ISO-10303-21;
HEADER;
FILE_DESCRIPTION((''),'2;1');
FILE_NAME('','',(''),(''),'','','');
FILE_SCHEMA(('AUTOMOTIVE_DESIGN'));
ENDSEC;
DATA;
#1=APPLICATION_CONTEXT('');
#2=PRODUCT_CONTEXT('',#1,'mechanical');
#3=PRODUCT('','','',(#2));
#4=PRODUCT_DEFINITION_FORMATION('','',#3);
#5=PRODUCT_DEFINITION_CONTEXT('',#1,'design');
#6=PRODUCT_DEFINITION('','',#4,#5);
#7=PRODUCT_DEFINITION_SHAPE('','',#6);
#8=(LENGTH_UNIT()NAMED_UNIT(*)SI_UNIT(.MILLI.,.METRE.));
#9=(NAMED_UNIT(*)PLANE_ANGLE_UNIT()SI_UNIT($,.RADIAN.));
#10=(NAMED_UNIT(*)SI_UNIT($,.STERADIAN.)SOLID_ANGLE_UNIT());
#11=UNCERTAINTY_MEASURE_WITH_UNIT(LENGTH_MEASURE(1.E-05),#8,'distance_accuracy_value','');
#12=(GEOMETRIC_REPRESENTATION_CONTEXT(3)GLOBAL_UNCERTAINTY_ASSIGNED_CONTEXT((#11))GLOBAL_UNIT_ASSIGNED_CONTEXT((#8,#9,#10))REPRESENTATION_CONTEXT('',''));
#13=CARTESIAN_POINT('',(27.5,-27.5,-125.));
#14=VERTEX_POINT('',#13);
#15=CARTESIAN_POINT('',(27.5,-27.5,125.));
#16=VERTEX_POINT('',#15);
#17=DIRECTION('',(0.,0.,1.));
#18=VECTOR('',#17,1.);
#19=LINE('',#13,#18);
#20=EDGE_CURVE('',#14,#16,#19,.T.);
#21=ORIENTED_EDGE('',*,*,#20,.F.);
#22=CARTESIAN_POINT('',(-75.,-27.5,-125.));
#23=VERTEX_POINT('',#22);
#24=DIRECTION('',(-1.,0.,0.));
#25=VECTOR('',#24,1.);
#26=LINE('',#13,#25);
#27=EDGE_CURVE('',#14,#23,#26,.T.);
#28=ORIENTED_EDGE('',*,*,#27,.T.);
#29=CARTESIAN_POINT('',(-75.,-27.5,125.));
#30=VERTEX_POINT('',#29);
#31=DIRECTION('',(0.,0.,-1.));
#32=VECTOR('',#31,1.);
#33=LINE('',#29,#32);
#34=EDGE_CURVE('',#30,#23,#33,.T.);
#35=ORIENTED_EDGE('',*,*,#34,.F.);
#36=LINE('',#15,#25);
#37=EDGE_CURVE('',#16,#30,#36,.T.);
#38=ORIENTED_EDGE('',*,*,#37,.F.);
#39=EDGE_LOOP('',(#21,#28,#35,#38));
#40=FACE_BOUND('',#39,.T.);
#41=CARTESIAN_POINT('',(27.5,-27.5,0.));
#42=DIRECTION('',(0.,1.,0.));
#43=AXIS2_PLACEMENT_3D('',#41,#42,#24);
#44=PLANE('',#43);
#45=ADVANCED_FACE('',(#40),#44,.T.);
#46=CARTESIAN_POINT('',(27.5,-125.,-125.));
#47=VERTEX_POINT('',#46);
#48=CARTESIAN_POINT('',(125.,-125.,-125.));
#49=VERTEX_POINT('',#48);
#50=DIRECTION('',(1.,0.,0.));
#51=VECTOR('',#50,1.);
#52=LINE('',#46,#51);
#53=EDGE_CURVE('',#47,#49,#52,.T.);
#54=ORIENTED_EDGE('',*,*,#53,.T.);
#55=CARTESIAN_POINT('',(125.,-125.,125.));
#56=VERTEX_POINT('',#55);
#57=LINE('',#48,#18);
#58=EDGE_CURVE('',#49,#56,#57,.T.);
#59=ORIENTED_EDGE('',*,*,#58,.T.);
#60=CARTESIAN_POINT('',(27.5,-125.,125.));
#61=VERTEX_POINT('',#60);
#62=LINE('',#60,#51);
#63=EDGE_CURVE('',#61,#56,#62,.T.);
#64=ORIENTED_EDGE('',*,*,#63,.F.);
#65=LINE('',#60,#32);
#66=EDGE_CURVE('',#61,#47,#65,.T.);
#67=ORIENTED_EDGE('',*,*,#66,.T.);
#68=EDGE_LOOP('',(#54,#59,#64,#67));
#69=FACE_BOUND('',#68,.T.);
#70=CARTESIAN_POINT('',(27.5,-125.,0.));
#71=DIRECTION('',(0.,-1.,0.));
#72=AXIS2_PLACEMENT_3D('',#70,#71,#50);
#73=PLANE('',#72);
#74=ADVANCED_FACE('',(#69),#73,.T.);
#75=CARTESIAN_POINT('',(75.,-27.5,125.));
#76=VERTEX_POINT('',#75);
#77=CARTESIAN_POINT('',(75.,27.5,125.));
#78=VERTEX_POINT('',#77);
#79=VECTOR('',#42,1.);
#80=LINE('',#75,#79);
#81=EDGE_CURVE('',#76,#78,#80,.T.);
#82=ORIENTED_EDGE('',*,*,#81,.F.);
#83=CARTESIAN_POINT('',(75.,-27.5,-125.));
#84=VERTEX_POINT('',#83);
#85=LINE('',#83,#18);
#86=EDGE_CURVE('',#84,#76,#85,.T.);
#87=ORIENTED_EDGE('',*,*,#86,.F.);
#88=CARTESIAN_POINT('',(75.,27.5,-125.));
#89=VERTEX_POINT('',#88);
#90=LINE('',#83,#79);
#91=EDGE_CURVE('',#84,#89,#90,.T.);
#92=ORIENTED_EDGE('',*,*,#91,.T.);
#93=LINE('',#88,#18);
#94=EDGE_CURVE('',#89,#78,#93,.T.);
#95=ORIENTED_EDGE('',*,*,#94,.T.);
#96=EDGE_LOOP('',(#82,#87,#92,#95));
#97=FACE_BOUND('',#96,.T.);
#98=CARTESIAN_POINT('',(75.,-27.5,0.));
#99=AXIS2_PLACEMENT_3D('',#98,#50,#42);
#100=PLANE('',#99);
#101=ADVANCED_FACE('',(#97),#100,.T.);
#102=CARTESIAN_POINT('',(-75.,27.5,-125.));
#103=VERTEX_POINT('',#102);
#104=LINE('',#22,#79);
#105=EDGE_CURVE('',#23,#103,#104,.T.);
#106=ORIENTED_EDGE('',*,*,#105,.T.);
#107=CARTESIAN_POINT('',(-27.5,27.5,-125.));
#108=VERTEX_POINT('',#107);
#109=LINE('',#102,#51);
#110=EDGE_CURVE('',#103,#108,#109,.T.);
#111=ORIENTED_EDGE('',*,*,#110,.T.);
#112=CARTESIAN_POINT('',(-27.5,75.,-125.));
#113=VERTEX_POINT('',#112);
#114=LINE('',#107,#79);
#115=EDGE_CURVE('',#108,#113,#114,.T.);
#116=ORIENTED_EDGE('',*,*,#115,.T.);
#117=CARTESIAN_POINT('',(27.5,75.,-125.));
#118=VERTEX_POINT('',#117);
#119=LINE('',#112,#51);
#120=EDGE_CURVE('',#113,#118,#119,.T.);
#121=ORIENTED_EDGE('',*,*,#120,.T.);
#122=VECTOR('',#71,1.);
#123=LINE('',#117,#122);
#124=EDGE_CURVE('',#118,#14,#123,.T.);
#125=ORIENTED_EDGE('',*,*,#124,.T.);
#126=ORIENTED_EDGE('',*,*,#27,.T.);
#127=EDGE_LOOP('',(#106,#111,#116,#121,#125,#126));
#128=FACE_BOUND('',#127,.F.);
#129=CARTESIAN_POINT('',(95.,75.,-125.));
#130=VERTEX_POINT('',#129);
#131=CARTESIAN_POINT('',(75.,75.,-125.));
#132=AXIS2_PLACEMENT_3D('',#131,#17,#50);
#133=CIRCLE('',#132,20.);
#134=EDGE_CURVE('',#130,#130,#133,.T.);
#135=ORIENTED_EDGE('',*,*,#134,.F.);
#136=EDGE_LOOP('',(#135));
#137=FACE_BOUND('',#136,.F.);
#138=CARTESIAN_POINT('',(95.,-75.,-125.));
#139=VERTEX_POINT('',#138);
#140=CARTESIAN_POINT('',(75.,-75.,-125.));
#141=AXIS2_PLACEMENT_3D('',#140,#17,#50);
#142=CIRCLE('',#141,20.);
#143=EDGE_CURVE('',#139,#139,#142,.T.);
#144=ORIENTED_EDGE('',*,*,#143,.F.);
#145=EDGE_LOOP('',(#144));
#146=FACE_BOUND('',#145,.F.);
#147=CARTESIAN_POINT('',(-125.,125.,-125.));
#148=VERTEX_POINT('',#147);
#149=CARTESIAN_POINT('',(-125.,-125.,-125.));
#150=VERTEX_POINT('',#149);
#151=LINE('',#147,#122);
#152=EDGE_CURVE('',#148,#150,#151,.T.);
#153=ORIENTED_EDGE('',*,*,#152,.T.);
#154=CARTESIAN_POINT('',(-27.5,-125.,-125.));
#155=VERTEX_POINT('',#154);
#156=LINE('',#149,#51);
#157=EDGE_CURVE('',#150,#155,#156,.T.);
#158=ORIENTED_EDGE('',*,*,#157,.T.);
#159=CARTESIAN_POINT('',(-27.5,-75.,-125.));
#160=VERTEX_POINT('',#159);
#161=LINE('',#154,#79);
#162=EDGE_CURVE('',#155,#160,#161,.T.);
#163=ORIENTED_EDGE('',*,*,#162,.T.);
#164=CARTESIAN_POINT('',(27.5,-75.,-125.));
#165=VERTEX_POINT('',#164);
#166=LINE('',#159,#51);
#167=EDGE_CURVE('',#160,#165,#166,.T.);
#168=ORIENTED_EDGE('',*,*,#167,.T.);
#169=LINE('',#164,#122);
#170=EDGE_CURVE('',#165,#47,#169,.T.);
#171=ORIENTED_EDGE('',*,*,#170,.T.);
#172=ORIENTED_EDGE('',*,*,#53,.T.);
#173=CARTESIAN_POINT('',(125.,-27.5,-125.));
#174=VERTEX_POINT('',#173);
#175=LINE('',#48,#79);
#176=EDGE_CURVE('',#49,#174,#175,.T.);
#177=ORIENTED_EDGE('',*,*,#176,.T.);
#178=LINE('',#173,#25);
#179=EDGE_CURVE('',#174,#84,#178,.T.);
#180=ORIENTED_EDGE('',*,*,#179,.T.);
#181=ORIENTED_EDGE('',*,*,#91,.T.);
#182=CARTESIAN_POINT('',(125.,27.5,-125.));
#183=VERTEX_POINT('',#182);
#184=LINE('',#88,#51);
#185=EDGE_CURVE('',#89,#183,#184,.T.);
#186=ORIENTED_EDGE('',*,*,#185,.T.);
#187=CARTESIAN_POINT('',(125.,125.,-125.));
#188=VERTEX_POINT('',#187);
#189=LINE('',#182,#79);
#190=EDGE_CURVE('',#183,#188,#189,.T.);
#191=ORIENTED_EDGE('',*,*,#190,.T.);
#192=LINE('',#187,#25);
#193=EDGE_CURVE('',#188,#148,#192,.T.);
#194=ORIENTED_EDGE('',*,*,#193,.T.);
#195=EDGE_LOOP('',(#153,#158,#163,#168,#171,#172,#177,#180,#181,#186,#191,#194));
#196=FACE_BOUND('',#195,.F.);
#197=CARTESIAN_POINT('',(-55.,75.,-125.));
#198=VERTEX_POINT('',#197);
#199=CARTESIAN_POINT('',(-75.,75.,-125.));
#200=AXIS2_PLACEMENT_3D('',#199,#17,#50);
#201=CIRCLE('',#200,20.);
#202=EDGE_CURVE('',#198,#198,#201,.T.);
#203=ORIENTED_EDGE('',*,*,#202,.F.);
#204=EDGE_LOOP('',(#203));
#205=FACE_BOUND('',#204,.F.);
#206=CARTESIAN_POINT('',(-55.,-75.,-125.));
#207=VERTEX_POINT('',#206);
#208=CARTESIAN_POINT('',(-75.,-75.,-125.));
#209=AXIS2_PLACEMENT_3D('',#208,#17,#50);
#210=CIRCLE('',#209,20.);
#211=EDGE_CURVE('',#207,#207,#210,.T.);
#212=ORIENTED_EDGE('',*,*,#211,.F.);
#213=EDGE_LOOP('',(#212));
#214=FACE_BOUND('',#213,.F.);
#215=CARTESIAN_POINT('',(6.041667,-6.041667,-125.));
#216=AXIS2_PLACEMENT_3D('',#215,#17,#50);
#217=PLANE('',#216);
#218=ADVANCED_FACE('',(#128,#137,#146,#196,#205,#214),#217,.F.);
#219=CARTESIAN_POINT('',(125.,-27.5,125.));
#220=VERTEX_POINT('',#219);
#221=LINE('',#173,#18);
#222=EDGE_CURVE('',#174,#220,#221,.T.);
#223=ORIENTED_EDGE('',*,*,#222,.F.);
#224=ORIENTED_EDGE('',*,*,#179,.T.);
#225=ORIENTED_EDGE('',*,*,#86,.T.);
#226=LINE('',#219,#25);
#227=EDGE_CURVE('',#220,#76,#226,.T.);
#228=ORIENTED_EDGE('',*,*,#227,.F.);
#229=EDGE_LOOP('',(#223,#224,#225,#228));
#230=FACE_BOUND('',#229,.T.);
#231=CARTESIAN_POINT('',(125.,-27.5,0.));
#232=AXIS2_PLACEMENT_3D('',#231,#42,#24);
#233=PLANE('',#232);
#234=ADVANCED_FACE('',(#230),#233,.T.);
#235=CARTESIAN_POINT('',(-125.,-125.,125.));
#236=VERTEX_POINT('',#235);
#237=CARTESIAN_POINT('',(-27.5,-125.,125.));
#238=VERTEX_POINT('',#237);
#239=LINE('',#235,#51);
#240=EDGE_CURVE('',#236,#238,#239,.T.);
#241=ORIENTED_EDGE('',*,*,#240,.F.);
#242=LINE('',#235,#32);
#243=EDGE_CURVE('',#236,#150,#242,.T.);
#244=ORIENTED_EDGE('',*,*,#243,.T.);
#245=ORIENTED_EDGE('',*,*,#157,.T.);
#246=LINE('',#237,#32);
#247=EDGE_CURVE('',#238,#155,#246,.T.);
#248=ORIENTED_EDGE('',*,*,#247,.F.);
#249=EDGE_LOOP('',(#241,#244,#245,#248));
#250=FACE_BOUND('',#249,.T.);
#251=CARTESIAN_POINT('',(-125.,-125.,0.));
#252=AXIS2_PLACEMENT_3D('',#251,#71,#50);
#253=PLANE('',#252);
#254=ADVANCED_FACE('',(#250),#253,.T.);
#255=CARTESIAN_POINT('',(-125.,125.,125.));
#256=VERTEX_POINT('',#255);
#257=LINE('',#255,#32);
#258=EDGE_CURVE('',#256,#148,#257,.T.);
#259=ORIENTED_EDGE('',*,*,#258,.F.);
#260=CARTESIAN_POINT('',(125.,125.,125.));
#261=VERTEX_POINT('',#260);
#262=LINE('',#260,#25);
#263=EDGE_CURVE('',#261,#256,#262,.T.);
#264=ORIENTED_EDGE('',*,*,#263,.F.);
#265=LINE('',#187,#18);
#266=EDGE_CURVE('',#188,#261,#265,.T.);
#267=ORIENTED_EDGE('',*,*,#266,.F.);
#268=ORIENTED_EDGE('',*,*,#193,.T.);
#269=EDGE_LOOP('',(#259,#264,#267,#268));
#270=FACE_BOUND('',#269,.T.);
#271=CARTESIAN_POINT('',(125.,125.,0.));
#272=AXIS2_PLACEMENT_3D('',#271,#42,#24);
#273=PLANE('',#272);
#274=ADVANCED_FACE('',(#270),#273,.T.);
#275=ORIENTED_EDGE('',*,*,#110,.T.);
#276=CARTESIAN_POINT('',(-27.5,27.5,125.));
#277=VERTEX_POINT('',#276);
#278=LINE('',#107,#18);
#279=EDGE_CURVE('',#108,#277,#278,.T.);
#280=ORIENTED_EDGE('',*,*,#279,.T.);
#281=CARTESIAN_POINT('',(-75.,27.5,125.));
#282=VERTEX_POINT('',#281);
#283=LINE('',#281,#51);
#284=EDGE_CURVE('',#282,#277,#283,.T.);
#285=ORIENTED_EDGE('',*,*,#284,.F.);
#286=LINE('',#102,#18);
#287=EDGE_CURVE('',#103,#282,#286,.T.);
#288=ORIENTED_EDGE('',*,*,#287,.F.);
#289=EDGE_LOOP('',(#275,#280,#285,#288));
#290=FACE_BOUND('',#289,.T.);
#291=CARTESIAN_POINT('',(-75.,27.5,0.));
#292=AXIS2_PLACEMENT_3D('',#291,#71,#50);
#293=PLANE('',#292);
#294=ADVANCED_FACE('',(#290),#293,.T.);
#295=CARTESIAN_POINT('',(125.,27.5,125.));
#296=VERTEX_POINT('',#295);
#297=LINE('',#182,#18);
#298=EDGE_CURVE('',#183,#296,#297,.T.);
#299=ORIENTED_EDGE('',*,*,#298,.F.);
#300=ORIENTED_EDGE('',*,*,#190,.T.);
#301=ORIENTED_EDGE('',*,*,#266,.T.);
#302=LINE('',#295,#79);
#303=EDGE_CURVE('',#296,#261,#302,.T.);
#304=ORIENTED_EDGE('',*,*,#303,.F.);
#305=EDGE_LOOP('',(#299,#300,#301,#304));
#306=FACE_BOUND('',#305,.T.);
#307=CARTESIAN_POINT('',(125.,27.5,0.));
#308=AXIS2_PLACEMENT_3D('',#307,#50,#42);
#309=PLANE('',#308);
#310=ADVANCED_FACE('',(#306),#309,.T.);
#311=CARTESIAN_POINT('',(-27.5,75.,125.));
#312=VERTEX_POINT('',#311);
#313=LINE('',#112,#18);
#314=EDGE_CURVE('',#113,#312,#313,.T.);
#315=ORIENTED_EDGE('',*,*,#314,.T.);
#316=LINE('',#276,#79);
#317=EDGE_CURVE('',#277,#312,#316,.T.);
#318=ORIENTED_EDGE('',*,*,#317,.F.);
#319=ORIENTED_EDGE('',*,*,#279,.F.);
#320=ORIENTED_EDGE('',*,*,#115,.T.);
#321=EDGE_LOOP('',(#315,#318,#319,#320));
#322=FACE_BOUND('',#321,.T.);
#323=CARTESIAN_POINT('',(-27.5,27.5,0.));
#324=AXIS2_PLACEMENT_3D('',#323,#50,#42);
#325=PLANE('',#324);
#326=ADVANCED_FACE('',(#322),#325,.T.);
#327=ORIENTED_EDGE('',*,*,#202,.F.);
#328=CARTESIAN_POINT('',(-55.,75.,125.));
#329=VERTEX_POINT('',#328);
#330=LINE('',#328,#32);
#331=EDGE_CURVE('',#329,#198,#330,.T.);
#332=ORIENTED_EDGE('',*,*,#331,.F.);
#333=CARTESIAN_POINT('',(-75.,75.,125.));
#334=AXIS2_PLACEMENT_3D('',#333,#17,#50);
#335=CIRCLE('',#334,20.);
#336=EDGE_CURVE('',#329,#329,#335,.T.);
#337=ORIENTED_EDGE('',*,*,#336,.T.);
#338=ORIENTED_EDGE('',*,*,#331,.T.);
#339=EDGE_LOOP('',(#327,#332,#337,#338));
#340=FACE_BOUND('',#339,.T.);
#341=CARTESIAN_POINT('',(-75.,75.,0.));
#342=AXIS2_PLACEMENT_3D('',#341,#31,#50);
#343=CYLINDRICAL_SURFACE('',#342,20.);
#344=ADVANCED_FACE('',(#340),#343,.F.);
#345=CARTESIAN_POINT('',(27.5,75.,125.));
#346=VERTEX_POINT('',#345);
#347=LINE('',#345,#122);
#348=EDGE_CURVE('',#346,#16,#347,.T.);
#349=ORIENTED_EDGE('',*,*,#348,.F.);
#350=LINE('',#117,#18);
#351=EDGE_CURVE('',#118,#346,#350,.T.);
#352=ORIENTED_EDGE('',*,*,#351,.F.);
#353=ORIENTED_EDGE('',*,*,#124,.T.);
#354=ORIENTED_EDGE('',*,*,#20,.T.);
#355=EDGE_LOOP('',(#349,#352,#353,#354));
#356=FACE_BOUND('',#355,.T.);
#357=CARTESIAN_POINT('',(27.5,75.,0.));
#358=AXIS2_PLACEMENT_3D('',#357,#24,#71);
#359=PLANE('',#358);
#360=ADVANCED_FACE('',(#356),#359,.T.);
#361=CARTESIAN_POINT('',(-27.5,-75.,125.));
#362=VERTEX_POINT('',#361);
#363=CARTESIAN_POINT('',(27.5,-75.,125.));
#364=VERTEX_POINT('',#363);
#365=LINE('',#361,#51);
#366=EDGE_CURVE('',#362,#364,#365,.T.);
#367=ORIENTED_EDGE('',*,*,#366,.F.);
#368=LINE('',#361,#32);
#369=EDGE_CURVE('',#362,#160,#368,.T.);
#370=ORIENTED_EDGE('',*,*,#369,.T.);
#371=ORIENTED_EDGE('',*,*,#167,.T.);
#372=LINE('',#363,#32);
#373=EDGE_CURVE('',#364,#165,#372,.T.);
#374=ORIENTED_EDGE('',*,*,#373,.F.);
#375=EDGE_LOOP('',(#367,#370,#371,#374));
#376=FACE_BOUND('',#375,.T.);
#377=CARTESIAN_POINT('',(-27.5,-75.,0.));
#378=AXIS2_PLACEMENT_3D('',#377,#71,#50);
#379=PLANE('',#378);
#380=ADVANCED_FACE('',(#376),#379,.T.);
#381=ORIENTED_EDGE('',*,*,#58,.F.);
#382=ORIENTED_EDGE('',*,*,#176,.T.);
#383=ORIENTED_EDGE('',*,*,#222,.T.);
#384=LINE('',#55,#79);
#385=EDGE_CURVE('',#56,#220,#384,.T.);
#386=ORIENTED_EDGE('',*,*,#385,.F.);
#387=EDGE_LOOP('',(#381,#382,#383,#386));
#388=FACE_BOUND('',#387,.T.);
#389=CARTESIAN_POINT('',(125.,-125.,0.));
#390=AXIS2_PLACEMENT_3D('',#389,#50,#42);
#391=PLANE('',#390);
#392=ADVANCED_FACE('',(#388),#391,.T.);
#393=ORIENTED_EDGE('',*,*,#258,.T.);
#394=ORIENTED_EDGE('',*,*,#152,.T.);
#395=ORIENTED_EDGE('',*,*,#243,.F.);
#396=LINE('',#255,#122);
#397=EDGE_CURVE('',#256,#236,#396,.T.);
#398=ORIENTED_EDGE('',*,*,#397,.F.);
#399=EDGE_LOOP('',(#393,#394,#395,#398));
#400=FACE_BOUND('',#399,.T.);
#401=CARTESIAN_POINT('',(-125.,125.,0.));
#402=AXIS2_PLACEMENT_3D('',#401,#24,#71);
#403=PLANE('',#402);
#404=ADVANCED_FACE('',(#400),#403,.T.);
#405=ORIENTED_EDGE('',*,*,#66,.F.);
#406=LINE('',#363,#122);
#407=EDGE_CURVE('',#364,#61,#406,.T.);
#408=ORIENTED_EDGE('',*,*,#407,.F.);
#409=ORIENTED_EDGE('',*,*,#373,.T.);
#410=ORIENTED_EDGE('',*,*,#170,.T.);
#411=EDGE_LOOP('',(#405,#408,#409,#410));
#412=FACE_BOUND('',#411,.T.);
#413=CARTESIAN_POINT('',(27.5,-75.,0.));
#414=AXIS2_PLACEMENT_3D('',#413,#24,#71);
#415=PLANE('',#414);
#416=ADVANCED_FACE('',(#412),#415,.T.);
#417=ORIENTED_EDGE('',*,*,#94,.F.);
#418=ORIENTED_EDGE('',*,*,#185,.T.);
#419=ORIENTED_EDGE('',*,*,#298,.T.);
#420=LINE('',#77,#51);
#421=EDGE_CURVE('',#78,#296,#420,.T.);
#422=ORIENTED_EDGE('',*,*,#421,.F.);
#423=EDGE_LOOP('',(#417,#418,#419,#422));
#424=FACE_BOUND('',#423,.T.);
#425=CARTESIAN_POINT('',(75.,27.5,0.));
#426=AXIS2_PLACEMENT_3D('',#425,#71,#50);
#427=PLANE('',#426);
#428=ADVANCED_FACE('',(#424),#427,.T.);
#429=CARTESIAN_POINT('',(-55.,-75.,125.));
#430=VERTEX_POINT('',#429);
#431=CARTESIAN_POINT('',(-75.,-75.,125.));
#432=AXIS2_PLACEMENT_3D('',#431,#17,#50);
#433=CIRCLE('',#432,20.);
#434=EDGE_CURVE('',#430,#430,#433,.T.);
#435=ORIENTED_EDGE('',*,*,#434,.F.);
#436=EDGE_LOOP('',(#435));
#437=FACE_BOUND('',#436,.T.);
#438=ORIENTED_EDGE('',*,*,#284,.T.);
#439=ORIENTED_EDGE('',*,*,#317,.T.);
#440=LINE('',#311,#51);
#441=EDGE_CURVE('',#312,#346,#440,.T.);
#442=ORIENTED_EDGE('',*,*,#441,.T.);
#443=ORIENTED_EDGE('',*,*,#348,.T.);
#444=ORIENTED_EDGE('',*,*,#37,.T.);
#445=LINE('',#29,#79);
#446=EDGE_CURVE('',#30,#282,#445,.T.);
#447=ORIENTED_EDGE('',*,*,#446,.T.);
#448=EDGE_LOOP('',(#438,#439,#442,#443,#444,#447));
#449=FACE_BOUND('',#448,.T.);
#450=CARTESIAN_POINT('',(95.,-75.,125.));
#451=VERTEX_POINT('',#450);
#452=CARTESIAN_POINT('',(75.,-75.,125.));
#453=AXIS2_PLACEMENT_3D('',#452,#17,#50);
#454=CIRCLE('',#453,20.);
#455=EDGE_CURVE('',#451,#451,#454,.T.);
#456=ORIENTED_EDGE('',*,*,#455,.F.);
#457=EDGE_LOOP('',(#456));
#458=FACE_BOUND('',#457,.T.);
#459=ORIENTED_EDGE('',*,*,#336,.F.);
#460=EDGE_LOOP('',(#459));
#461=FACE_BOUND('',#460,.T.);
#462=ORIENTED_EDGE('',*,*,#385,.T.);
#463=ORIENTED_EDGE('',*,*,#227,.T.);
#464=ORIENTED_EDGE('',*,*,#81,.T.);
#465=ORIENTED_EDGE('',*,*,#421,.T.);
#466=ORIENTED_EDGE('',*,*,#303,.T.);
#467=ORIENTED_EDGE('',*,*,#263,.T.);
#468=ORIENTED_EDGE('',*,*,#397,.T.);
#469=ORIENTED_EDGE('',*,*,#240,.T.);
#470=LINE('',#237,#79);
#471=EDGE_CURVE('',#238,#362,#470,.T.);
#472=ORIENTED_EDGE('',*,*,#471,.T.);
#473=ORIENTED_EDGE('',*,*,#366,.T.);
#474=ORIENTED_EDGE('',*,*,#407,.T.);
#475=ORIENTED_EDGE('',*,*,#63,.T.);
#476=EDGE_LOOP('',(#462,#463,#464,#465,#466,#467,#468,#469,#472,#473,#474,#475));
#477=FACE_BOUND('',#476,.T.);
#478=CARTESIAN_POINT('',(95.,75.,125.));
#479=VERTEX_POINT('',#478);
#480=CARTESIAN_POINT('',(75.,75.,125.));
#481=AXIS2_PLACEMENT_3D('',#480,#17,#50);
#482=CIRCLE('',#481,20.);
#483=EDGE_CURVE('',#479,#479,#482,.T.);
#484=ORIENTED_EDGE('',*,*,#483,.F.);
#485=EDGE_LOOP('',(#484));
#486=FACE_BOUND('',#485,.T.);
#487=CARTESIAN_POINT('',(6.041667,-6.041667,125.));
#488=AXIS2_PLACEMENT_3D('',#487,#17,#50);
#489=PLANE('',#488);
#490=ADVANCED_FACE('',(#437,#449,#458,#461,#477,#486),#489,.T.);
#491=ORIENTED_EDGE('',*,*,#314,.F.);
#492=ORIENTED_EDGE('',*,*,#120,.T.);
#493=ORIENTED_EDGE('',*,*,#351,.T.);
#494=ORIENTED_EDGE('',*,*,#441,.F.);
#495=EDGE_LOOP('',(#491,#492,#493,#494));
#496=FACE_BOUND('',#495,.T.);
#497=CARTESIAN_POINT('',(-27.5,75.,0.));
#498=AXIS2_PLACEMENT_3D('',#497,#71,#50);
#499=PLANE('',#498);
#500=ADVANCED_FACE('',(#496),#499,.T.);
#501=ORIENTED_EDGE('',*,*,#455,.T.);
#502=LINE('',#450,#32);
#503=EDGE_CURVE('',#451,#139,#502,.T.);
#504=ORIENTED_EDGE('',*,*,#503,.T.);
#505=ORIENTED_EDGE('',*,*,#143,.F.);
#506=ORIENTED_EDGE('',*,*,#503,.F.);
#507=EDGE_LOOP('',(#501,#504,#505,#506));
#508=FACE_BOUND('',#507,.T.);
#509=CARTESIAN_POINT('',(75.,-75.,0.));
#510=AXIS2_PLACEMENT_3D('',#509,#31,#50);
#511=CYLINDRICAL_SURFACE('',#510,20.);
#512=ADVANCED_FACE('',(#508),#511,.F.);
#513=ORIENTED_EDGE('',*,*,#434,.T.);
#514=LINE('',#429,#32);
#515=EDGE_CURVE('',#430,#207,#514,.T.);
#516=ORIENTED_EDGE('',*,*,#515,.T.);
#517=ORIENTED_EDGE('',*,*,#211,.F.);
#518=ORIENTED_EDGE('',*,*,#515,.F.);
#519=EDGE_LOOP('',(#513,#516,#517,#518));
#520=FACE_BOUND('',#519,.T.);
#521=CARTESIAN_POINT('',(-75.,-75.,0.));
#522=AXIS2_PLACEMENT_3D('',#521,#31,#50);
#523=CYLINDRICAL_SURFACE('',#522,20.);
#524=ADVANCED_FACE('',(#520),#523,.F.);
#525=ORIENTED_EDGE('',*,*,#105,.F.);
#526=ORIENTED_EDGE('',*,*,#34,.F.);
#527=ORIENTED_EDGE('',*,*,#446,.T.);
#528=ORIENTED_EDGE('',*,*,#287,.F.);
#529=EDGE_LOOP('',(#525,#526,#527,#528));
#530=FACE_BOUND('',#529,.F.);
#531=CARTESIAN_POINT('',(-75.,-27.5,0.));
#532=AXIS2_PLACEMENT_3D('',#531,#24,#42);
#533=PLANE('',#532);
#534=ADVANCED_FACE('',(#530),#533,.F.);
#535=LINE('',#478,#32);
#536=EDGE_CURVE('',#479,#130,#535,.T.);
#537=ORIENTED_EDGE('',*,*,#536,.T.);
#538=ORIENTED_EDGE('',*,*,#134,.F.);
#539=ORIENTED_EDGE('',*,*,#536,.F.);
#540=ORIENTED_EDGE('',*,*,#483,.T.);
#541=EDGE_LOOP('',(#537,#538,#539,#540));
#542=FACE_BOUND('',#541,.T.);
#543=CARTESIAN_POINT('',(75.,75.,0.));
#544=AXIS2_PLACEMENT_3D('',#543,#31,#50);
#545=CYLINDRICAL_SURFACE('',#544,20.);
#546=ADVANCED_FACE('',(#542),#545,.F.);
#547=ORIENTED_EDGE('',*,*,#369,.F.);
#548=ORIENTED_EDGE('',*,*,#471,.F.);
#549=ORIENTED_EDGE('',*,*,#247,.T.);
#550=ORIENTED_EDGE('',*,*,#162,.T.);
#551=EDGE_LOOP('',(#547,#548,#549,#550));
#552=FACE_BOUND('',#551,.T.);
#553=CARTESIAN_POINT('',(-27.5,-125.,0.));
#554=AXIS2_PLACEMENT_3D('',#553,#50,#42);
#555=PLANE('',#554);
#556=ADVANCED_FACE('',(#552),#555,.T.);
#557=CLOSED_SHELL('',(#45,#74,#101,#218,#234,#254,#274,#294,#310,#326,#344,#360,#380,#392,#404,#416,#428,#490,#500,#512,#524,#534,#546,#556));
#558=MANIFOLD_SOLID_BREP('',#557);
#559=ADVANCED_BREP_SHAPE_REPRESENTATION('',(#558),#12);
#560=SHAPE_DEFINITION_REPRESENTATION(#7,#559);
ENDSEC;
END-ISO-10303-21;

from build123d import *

# Parameters (mm, degrees)
F0_R     = 20
F1_DEPTH = 125


with BuildPart() as f1:
    # F0 (on Top) → F1 (new body, symmetric)
    with BuildSketch(Plane.XY):
        Polygon((27.5, -125), (125, -125), (125, -27.5), (75, -27.5), (75, 27.5), (125, 27.5), (125, 125), (-125, 125), (-125, -125), (-27.5, -125), (-27.5, -75), (27.5, -75), align=None)
        with Locations((-75, -75)):
            Circle(F0_R, mode=Mode.SUBTRACT)
        with Locations((75, -75)):
            Circle(F0_R, mode=Mode.SUBTRACT)
        Polygon((27.5, 75), (27.5, -27.5), (-75, -27.5), (-75, 27.5), (-27.5, 27.5), (-27.5, 75), align=None, mode=Mode.SUBTRACT)
        with Locations((-75, 75)):
            Circle(F0_R, mode=Mode.SUBTRACT)
        with Locations((75, 75)):
            Circle(F0_R, mode=Mode.SUBTRACT)
    extrude(amount=F1_DEPTH, both=True)


solid = f1.part
